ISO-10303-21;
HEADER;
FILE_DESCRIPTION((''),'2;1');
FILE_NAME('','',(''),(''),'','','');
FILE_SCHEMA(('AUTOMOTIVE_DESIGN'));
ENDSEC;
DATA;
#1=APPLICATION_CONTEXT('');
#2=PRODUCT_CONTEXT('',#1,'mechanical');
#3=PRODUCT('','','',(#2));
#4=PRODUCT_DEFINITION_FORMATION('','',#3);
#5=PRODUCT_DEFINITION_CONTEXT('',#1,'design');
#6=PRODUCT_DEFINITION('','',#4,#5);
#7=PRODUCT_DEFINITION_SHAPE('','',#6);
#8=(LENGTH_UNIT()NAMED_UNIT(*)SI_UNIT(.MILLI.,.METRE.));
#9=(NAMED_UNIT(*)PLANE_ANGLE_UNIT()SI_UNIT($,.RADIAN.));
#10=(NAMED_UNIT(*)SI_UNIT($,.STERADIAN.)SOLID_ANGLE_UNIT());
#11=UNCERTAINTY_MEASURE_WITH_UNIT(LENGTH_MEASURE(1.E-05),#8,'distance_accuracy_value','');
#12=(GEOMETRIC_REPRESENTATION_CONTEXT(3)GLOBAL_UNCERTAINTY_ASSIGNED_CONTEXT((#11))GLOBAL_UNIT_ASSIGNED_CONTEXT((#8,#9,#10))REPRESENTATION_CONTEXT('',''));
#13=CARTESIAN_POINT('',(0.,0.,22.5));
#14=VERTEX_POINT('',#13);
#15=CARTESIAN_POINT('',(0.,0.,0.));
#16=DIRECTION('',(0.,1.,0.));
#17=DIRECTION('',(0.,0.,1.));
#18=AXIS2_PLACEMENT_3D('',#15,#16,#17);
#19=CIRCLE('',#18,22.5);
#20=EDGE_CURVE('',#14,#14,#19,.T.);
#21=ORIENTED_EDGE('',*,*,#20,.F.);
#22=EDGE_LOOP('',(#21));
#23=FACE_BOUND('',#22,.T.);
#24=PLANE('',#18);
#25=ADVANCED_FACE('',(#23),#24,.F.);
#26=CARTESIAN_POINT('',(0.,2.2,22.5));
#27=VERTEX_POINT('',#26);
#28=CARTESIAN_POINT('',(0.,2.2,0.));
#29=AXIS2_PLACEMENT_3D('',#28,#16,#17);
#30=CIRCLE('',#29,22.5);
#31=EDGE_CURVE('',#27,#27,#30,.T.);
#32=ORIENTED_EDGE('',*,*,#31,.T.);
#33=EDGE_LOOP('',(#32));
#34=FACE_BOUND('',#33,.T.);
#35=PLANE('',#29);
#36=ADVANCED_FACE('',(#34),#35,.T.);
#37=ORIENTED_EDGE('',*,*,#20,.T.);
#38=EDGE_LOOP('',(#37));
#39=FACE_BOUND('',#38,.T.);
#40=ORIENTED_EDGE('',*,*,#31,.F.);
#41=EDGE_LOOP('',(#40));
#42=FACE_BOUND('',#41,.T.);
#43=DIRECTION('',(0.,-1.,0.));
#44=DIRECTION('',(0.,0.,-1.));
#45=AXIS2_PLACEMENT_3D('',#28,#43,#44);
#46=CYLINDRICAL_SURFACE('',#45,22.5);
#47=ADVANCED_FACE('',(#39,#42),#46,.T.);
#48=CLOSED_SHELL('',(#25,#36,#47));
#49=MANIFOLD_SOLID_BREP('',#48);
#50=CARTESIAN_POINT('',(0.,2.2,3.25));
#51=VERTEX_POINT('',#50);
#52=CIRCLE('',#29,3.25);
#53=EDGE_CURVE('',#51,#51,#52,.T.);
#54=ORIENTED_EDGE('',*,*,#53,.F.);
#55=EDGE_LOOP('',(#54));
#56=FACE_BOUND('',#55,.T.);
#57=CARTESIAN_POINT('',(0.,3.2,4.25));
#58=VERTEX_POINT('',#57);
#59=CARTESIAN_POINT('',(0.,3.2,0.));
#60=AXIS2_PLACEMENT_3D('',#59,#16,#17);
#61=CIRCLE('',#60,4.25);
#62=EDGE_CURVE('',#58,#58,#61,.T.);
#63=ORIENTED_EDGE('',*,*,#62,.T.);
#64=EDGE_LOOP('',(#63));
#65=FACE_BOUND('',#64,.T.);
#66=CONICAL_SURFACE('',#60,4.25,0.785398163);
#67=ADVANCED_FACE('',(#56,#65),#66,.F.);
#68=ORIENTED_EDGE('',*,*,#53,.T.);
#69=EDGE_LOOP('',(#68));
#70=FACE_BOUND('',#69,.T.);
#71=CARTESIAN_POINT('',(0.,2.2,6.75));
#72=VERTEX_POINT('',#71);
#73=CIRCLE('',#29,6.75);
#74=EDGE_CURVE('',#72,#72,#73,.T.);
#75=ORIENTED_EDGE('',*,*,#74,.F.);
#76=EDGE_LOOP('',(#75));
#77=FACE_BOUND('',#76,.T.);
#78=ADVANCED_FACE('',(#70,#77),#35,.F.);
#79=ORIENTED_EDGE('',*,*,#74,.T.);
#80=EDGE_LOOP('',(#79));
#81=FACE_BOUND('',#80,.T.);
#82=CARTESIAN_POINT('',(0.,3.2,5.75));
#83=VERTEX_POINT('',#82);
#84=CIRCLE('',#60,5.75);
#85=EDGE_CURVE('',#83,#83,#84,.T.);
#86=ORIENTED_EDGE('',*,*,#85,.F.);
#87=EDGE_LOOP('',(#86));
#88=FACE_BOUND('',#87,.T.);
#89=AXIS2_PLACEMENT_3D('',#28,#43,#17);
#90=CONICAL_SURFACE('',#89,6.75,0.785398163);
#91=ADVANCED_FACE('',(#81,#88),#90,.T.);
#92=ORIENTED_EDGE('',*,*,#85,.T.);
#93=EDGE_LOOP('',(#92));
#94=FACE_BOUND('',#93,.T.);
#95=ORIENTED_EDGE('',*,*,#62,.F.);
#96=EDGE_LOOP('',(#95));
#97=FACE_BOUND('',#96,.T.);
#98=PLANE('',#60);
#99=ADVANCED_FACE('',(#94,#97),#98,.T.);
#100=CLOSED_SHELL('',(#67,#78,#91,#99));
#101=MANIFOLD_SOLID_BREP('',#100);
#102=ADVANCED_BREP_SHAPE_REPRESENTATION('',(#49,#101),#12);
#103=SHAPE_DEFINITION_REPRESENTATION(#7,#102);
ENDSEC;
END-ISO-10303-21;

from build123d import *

# Parameters (mm, degrees)
SKETCH1_R           = 22.5
BOSS_EXTRUDE1_DEPTH = 2.2
SKETCH2_R           = 6.75
BOSS_EXTRUDE2_DEPTH = 1
BOSS_EXTRUDE2_TAPER = 45
SKETCH3_R           = 4.25
CUT_EXTRUDE1_DEPTH  = 1
CUT_EXTRUDE1_TAPER  = 45


with BuildPart() as part:
    # Sketch1 → Boss-Extrude1 (new body)
    with BuildSketch(Plane(origin=(0, 0, 0), x_dir=(1, 0, 0), z_dir=(0, 1, 0))):
        Circle(SKETCH1_R)
    extrude(amount=BOSS_EXTRUDE1_DEPTH)


with BuildPart() as body_2:
    # Sketch2 → Boss-Extrude2 (new body)
    with BuildSketch(Plane(origin=(0, 2.2, 0), x_dir=(1, 0, 0), z_dir=(0, 1, 0))):
        Circle(SKETCH2_R)
    extrude(amount=BOSS_EXTRUDE2_DEPTH, taper=BOSS_EXTRUDE2_TAPER)

    # Sketch3 → Cut-Extrude1 (cut)
    with BuildSketch(Plane(origin=(0, 3.2, 0), x_dir=(1, 0, 0), z_dir=(0, 1, 0))):
        Circle(SKETCH3_R)
    extrude(amount=-CUT_EXTRUDE1_DEPTH, taper=CUT_EXTRUDE1_TAPER, mode=Mode.SUBTRACT)


solid = Compound([part.part, body_2.part])
